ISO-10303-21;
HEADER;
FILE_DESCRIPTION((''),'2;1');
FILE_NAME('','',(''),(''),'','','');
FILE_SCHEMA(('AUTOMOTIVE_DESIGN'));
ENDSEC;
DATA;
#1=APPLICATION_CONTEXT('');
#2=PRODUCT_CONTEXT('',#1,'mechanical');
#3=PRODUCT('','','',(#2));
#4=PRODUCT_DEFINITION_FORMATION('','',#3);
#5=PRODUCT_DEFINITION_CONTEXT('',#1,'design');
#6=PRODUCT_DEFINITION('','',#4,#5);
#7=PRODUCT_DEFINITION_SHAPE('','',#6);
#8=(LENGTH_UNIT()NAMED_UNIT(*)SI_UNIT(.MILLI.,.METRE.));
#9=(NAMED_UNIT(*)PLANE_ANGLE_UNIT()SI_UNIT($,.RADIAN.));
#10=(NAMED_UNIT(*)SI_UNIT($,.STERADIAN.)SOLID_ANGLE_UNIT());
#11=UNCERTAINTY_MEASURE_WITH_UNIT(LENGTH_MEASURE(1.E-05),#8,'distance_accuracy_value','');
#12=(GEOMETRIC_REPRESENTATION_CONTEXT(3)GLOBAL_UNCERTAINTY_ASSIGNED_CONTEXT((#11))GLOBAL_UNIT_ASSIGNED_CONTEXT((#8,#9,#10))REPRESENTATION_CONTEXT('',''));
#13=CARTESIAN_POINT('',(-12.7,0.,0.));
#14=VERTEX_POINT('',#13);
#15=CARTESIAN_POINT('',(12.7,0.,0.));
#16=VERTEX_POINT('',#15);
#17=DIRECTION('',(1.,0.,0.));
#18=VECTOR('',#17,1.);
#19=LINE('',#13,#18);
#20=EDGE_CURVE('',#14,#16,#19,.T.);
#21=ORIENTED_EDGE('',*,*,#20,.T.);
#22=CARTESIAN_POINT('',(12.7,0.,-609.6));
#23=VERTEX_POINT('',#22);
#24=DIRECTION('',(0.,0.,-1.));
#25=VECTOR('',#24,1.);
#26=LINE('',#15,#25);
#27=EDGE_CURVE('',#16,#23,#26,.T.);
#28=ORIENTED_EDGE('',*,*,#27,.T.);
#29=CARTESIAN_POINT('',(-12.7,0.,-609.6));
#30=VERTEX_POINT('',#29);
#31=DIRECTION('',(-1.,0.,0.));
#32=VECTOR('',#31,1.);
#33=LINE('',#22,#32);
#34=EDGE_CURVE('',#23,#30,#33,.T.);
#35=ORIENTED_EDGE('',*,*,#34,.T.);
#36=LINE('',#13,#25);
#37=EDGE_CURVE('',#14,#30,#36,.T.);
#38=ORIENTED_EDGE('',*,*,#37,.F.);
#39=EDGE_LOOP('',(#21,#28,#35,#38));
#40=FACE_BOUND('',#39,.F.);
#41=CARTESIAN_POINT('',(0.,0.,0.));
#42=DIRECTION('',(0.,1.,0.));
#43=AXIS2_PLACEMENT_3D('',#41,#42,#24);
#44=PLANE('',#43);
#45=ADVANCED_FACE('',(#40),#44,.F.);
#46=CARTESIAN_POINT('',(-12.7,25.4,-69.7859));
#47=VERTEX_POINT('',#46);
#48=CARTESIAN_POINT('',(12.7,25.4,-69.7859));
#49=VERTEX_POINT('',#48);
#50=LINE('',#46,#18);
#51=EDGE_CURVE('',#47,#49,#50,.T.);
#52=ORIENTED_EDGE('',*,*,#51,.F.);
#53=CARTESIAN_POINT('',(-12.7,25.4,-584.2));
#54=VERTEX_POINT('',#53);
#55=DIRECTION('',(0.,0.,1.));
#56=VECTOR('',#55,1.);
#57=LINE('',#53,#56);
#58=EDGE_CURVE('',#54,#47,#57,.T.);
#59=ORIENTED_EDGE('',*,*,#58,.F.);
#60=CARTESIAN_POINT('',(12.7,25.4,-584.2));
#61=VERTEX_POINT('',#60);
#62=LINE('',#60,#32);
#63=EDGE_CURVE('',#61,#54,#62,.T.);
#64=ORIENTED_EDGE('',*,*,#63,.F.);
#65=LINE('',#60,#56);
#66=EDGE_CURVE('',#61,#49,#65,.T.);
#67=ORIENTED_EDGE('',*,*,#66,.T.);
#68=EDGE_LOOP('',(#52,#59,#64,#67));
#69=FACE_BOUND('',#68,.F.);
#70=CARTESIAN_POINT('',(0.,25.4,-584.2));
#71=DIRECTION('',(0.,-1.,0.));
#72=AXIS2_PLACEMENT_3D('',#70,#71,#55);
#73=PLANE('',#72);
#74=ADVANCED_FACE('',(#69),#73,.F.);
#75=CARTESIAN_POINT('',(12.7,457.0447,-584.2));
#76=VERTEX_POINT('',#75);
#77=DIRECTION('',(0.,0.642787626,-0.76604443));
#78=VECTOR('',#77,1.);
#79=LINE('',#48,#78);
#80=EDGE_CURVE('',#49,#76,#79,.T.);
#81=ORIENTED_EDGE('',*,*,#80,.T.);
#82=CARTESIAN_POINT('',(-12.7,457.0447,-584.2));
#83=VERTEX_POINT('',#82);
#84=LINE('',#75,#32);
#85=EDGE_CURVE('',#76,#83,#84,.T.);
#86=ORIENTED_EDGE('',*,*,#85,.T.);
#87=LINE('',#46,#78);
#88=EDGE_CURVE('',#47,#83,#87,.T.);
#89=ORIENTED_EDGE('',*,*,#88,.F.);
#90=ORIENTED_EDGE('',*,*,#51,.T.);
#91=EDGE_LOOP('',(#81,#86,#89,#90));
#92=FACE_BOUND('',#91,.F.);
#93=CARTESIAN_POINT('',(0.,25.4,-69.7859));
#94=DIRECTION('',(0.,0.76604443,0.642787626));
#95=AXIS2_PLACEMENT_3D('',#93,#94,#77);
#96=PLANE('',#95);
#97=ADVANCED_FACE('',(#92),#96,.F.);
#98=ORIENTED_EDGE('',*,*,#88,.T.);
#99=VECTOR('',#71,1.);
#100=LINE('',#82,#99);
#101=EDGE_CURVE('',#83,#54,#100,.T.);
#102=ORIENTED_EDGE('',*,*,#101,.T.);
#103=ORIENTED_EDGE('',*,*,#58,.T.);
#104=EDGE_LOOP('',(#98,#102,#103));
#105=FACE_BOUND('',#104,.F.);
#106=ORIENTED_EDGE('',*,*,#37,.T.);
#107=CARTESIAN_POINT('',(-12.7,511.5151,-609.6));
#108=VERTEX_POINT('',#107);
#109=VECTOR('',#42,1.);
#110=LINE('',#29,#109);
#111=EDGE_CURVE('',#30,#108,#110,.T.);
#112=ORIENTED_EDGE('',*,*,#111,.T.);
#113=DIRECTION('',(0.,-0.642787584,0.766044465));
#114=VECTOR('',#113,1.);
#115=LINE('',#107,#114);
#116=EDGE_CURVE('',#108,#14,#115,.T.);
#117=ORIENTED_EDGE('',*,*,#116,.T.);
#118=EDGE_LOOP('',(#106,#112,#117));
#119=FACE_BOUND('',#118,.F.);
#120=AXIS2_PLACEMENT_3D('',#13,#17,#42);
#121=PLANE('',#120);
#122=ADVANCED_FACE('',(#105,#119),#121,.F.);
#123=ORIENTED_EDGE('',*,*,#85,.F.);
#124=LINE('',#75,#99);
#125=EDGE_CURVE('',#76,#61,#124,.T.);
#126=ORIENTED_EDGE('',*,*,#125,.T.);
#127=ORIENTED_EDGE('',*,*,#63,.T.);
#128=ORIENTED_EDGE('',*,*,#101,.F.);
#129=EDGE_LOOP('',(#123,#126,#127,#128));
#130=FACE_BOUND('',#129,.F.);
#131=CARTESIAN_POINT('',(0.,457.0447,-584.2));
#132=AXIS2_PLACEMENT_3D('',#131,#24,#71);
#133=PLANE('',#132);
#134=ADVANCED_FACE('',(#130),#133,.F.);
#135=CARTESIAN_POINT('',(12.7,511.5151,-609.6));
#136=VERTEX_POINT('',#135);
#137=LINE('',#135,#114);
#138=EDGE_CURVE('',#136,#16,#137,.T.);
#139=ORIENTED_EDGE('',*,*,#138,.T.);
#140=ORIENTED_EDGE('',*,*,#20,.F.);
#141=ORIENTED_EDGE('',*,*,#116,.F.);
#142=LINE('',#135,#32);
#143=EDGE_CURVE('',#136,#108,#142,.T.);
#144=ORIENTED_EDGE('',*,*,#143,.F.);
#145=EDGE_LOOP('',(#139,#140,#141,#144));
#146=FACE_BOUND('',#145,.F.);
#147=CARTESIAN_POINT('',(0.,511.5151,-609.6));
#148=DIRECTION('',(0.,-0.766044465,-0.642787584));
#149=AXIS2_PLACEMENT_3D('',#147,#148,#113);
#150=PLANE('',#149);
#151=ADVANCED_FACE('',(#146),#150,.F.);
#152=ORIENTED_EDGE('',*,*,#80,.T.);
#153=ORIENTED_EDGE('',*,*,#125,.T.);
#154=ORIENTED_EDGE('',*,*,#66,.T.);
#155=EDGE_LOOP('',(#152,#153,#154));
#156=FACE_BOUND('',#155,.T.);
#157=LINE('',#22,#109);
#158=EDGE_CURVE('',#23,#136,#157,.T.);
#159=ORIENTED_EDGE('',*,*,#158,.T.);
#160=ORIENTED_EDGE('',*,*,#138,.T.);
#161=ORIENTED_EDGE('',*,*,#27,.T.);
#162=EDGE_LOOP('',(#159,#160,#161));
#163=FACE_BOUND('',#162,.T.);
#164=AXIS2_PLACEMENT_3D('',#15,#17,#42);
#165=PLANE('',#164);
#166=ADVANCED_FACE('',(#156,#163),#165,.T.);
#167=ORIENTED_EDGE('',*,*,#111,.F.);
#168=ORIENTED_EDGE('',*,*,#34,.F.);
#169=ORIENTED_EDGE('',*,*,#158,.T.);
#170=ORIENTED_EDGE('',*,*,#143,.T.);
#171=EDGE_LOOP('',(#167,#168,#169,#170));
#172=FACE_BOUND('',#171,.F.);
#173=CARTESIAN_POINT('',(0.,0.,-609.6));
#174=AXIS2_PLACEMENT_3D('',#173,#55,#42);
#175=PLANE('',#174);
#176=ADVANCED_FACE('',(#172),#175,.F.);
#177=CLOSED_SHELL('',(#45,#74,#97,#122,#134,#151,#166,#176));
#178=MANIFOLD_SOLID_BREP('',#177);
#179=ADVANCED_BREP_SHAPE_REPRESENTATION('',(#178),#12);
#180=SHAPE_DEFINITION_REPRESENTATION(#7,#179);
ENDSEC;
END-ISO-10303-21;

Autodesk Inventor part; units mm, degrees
ref_plane "YZ Plane" through (0, 0, 0) normal (1, 0, 0) x (0, 1, 0)
ref_plane "XZ Plane" through (0, 0, 0) normal (0, 1, 0) x (-1, 0, 0)
ref_plane "XY Plane" through (0, 0, 0) normal (0, 0, 1) x (1, 0, 0)
sketch "Sketch1" plane through (0, 0, 0) normal (1, 0, 0) x (0, 1, 0)
  line L0 (0, 0) -> (0, -609.6)
  line L1 (0, -609.6) -> (511.5151, -609.6)
  line L2 (511.5151, -609.6) -> (0, 0)
  line L3 (25.4, -69.7859) -> (457.0447, -584.2)
  line L4 (457.0447, -584.2) -> (25.4, -584.2)
  line L5 (25.4, -584.2) -> (25.4, -69.7859)
  dimension "d0" = 609.6
  dimension "d1" = 40
  dimension "d2" = 25.4
  dimension "d3" = 25.4
  dimension "d4" = 25.4
extrude "Extrusion1" add sketch "Sketch1" along normal mid plane 25.4
properties part number "ballRampV04"
